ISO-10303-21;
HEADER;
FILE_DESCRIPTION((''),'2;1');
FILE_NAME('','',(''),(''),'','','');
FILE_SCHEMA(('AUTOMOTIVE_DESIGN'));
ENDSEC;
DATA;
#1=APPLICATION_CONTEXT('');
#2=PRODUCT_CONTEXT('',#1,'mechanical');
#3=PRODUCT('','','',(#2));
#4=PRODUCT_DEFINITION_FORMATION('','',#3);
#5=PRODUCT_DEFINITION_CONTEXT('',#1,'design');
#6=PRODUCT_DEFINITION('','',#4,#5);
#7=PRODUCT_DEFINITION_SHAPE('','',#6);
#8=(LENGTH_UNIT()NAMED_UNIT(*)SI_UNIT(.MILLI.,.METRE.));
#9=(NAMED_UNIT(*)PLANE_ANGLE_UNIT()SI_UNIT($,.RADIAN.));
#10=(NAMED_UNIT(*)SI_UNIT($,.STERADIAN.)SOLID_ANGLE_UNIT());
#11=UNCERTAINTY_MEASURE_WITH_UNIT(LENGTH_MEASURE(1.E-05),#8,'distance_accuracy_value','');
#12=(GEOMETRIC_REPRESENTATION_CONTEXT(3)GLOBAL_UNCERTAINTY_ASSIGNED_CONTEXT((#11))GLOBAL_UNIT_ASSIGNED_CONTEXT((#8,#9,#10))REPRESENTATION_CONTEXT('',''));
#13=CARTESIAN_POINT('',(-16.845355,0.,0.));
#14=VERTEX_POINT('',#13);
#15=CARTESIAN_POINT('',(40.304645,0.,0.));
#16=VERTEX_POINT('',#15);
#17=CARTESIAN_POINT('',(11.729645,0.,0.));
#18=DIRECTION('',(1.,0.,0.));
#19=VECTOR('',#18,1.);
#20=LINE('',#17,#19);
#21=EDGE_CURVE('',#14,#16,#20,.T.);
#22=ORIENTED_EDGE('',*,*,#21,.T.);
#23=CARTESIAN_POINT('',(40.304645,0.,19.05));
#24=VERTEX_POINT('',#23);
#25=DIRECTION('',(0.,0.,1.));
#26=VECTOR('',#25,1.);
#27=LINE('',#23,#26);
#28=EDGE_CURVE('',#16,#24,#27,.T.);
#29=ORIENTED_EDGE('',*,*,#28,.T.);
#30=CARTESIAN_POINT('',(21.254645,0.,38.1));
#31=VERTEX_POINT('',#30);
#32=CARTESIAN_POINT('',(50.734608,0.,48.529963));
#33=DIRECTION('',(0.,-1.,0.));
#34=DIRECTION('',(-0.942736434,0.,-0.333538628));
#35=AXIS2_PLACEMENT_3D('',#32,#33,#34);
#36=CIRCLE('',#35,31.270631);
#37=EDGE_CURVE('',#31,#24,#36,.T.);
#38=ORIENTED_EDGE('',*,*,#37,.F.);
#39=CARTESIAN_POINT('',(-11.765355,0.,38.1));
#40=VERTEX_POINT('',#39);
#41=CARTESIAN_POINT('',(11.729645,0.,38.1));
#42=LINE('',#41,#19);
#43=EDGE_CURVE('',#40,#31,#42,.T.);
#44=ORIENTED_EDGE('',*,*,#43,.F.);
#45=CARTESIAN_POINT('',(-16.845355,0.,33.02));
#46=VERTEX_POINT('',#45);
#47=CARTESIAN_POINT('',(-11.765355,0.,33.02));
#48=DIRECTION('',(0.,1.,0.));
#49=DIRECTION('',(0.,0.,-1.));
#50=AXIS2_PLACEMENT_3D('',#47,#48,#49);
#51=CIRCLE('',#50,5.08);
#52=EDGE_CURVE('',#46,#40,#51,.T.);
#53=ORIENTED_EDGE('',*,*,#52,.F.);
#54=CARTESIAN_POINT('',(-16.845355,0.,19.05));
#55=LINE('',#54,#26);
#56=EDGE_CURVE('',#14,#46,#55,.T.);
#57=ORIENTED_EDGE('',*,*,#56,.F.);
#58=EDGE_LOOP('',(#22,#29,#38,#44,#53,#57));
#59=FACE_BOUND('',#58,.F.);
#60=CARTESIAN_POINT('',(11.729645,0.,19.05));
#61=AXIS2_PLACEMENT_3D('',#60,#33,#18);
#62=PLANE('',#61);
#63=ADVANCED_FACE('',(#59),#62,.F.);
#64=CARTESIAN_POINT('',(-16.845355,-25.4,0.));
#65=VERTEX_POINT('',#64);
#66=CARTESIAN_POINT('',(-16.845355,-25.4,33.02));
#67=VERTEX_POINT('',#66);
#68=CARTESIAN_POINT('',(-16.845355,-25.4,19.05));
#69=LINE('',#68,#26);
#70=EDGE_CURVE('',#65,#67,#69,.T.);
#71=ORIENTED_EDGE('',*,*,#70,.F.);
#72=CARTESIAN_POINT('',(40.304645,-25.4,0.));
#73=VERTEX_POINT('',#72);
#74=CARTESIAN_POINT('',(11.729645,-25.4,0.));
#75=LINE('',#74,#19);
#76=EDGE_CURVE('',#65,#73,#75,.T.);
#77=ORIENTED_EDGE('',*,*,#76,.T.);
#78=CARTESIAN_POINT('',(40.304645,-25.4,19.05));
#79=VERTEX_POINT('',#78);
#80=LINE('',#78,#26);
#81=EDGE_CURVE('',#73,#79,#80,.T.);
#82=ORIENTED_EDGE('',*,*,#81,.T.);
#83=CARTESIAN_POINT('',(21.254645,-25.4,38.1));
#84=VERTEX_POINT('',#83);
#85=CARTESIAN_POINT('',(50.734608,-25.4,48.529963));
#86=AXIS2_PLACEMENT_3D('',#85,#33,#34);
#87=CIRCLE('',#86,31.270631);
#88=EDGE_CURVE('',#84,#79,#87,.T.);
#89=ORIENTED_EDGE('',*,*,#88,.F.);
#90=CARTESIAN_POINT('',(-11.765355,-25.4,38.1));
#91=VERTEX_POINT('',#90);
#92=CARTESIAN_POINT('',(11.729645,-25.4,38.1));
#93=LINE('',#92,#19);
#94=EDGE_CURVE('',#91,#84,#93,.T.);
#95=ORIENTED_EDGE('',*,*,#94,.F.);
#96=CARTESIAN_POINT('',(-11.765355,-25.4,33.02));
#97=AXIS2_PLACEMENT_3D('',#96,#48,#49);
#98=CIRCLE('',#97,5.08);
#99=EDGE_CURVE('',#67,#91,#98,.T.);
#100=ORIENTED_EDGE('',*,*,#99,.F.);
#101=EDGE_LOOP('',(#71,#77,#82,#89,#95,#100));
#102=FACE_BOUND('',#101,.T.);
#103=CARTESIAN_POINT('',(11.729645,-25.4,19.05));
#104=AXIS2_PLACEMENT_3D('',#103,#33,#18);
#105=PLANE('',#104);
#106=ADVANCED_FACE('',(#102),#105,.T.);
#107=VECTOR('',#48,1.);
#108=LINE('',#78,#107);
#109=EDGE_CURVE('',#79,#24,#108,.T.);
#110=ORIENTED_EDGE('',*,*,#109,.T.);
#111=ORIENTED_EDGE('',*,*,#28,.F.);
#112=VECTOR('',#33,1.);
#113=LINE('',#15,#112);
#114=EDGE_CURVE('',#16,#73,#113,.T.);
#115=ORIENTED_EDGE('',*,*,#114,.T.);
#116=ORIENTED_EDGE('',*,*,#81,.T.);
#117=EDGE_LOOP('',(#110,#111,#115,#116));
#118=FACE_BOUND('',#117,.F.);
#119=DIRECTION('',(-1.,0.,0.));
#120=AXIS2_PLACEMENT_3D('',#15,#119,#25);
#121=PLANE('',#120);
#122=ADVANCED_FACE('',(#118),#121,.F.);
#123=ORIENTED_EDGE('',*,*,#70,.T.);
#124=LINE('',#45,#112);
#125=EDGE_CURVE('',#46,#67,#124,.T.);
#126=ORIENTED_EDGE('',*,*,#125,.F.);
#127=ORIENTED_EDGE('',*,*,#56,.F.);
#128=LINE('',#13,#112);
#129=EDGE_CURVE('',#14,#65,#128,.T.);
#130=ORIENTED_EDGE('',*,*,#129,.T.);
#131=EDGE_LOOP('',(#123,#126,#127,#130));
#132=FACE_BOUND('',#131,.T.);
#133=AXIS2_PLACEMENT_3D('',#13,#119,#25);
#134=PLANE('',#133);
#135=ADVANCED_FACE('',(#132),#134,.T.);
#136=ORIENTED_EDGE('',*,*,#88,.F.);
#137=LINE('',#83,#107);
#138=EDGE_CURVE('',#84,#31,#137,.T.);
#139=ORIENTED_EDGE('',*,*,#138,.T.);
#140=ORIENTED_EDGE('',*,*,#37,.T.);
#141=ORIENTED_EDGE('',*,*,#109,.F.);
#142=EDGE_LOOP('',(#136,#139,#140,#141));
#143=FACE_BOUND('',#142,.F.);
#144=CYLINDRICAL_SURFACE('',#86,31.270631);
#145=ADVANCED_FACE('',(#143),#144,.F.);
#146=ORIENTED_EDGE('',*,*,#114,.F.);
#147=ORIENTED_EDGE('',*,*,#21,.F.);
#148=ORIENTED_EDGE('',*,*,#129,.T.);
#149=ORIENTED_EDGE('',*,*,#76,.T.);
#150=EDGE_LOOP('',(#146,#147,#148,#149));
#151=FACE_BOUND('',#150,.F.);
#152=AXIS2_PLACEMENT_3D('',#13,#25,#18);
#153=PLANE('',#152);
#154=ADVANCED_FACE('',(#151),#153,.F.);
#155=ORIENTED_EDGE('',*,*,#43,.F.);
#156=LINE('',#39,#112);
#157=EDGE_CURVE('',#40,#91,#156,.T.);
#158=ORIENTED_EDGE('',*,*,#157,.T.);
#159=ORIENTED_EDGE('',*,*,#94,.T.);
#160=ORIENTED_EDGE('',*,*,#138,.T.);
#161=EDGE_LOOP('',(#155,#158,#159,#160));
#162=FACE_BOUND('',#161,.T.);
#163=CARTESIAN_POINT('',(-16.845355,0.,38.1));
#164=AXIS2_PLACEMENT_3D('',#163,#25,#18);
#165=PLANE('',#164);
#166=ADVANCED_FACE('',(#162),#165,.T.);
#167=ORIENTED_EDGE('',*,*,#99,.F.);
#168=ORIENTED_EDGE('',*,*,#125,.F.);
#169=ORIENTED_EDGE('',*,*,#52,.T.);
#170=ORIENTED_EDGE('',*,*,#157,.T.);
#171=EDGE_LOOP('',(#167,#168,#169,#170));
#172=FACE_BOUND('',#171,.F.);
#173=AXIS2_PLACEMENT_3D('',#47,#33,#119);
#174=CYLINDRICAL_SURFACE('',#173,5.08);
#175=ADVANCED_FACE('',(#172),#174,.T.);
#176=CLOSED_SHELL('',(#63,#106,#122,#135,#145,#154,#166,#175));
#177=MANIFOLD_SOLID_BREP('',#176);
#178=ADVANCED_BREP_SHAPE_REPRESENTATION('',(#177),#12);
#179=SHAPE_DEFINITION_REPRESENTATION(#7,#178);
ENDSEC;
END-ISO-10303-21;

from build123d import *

# Parameters (mm, degrees)
F0_W     = 57.15
F0_H     = 38.1
F1_DEPTH = 25.4
F3_DEPTH = 25.4
F4_R     = 5.08


with BuildPart() as f1:
    # F0 (on Front) → F1 (new body)
    with BuildSketch(Plane.XZ):
        with Locations((11.729645, 19.05)):
            Rectangle(F0_W, F0_H)
    extrude(amount=F1_DEPTH)

    # F2 (on face) → F3 (cut)
    with BuildSketch(Plane.XZ.offset(25.4)):
        with BuildLine():
            Line((40.304645, 38.1), (21.254645, 38.1))
            ThreePointArc((21.254645, 38.1), (28.622933, 26.418288), (40.304645, 19.05))
            Line((40.304645, 19.05), (40.304645, 38.1))
        make_face()
    extrude(amount=-F3_DEPTH, mode=Mode.SUBTRACT)

    # F4
    f4_edges = [f1.edges().sort_by_distance(p)[0] for p in [
        (-16.845355, -12.7, 38.1),
    ]]
    fillet(f4_edges, radius=F4_R)


solid = f1.part
